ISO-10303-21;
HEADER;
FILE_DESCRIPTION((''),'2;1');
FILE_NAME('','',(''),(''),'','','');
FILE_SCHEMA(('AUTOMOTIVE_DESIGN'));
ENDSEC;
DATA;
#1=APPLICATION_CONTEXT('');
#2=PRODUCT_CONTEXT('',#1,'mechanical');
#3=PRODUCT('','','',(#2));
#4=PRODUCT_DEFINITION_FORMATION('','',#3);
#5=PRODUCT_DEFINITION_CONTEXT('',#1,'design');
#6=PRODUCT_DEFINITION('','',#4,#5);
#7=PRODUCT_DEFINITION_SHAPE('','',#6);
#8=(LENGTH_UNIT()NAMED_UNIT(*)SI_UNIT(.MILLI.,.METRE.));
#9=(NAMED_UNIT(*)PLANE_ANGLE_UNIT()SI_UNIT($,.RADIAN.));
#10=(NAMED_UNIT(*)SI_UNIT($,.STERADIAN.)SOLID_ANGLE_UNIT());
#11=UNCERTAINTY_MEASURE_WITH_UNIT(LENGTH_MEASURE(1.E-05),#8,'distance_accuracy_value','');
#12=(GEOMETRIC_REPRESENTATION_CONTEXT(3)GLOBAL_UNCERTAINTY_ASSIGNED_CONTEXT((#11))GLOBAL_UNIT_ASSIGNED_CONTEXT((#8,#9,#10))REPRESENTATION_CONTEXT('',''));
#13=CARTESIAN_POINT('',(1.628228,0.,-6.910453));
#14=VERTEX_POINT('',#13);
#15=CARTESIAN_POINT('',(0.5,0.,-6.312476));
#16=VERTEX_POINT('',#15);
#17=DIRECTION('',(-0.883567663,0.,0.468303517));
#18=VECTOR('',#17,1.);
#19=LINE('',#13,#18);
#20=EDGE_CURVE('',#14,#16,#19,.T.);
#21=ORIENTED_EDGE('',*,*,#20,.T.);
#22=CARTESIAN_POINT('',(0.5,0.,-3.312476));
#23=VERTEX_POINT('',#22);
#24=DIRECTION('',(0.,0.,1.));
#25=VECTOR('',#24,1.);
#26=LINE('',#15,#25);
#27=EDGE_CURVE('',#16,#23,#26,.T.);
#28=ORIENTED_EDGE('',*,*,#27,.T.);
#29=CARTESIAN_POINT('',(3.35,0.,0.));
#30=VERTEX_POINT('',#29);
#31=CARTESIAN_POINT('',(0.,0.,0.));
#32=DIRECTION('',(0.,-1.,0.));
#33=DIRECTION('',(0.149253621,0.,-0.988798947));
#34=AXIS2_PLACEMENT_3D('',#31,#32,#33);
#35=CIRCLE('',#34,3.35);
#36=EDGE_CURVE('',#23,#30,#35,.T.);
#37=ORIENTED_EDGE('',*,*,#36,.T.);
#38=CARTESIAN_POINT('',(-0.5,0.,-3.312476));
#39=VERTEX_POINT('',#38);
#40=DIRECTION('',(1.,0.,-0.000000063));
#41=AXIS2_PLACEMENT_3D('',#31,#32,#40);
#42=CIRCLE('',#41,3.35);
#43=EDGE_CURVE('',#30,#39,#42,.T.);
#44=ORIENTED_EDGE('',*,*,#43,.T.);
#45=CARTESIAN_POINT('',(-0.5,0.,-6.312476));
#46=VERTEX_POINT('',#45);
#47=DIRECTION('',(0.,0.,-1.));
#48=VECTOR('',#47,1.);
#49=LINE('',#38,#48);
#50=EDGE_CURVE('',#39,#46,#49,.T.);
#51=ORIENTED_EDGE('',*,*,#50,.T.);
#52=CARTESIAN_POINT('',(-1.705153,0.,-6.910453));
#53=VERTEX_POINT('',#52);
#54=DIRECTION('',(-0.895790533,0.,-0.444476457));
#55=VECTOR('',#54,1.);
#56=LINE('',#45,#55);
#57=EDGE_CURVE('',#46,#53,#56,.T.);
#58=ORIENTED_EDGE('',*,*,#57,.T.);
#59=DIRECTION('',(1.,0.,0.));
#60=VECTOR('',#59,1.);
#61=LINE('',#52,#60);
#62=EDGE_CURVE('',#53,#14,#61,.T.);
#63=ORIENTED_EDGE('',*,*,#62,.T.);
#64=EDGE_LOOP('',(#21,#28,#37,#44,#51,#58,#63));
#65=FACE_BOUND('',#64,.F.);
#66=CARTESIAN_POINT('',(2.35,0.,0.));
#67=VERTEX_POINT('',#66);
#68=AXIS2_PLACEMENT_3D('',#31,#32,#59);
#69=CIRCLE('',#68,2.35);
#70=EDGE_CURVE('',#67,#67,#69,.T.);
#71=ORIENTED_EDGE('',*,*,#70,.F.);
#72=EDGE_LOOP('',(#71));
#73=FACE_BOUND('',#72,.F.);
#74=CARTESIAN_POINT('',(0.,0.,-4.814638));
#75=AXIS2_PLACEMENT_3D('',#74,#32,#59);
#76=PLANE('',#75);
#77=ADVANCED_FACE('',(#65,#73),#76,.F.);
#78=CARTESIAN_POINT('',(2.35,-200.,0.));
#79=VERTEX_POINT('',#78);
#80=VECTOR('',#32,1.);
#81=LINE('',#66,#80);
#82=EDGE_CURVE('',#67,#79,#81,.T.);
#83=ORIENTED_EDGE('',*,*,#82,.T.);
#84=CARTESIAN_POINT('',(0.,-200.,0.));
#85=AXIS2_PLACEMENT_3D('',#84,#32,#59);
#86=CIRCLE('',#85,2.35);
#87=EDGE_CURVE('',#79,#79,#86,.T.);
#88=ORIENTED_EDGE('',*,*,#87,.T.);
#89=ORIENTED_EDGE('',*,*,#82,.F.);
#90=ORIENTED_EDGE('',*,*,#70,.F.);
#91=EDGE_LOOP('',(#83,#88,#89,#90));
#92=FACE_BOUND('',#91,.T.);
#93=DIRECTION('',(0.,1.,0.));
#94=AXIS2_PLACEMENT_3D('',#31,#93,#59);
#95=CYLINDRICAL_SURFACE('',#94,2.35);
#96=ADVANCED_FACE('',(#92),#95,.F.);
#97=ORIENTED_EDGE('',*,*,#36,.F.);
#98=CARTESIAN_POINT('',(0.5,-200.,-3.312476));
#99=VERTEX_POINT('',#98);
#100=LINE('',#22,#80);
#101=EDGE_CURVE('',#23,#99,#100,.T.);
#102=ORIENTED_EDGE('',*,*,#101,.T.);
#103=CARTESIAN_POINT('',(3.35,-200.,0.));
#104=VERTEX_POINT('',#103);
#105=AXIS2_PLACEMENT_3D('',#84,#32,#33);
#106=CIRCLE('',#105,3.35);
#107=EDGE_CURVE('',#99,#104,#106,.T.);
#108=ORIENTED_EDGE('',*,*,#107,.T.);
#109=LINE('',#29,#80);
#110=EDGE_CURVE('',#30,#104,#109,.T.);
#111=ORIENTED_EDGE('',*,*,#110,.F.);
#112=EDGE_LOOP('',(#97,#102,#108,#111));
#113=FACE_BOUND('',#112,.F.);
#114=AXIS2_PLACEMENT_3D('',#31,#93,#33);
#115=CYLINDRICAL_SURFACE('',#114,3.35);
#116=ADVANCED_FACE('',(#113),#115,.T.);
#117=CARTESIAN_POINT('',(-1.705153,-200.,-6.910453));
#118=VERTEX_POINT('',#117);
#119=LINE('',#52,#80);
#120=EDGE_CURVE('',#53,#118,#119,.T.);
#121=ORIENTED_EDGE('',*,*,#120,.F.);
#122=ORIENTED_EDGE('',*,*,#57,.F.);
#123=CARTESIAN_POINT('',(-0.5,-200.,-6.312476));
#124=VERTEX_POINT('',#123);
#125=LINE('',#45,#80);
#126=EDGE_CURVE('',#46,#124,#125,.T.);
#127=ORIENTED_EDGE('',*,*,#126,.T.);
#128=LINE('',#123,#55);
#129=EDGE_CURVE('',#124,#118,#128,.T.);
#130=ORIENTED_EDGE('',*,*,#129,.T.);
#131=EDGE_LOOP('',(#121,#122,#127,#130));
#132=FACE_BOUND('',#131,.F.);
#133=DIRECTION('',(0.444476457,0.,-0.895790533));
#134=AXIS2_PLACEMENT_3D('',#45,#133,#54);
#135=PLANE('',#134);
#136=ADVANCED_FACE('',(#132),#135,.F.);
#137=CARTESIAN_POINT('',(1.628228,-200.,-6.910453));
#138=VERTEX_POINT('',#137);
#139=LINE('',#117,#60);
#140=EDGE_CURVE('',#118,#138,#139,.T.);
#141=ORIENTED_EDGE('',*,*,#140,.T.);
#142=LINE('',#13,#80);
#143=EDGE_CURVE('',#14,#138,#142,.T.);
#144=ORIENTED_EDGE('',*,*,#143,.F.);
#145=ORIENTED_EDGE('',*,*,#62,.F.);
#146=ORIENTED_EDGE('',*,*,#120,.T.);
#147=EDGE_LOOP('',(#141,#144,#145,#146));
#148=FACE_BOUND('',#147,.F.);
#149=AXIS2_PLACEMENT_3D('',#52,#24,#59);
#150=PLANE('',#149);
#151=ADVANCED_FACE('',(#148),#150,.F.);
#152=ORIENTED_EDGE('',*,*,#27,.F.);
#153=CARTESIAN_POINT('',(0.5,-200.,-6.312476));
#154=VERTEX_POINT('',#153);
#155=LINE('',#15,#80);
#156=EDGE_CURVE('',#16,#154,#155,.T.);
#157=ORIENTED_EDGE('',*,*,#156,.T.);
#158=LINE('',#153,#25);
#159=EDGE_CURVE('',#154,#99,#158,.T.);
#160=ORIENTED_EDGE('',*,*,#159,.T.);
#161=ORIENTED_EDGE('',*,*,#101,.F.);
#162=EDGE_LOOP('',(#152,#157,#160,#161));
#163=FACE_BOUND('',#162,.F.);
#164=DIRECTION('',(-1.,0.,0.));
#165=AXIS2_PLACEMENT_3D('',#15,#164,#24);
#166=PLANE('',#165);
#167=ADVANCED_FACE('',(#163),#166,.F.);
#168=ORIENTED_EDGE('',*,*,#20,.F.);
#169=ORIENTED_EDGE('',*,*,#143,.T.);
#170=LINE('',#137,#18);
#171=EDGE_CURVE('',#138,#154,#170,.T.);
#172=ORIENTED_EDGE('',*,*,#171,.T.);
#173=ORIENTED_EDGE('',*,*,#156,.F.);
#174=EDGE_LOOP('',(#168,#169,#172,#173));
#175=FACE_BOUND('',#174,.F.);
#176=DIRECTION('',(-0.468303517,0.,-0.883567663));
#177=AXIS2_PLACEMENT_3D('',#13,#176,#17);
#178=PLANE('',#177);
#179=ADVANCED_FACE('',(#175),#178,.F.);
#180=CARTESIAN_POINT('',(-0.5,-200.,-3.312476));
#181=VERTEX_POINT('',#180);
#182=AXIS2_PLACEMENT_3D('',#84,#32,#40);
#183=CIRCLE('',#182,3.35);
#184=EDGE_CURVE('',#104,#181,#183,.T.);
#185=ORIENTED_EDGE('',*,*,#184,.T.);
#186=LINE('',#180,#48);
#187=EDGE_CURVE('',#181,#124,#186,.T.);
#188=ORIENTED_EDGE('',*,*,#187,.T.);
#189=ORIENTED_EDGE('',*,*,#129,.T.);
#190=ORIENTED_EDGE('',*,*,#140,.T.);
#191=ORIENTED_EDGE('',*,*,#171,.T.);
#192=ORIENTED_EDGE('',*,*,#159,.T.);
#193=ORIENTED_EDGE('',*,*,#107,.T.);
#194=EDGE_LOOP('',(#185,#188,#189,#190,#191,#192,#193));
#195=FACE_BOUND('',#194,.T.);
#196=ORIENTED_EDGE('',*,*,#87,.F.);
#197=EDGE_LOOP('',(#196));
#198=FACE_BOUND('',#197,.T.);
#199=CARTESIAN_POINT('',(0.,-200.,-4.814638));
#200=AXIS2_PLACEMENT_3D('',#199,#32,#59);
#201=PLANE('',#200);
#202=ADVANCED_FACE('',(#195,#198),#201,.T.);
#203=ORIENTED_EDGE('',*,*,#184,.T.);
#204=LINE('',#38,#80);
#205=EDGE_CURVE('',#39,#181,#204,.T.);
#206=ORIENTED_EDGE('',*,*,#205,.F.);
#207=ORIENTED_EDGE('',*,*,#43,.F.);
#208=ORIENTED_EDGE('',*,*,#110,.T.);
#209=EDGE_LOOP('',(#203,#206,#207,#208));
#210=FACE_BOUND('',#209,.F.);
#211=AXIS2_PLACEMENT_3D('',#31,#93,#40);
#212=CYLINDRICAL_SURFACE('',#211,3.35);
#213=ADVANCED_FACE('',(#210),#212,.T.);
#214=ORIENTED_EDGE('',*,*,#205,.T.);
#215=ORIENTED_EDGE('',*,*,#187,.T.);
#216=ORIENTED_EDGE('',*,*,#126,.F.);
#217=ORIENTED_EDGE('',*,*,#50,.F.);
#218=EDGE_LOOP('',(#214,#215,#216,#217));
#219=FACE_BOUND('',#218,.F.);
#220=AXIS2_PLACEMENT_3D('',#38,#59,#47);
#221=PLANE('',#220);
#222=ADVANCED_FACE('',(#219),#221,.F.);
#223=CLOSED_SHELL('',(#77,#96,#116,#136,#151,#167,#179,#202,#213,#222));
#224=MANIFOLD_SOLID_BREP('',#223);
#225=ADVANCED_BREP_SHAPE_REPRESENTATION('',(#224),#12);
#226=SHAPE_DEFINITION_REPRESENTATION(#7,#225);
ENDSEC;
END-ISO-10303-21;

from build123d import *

# Parameters (mm, degrees)
F0_R     = 2.35
F1_DEPTH = 200


with BuildPart() as f1:
    # F0 (on Front) → F1 (new body)
    with BuildSketch(Plane.XZ):
        with BuildLine():
            ThreePointArc((0.5, -3.312476), (0, -3.35), (-0.5, -3.312476))
            Line((-0.5, -3.312476), (-0.5, -6.312476))
            Line((-0.5, -6.312476), (0.5, -6.312476))
            Line((0.5, -6.312476), (0.5, -3.312476))
        make_face()
        with BuildLine():
            Line((0.5, -3.312476), (-0.5, -3.312476))
            ThreePointArc((-0.5, -3.312476), (0, -3.35), (0.5, -3.312476))
        make_face()
        with BuildLine():
            ThreePointArc((0.5, -3.312476), (2.539439, -2.184891), (3.35, 0))
            ThreePointArc((3.35, 0), (-2.184891, 2.539439), (-0.5, -3.312476))
            Line((-0.5, -3.312476), (0.5, -3.312476))
        make_face()
        Circle(F0_R, mode=Mode.SUBTRACT)
        Polygon((0.5, -6.312476), (-0.5, -6.312476), (-1.705153, -6.910453), (1.628228, -6.910453), align=None)
    extrude(amount=F1_DEPTH)


solid = f1.part
